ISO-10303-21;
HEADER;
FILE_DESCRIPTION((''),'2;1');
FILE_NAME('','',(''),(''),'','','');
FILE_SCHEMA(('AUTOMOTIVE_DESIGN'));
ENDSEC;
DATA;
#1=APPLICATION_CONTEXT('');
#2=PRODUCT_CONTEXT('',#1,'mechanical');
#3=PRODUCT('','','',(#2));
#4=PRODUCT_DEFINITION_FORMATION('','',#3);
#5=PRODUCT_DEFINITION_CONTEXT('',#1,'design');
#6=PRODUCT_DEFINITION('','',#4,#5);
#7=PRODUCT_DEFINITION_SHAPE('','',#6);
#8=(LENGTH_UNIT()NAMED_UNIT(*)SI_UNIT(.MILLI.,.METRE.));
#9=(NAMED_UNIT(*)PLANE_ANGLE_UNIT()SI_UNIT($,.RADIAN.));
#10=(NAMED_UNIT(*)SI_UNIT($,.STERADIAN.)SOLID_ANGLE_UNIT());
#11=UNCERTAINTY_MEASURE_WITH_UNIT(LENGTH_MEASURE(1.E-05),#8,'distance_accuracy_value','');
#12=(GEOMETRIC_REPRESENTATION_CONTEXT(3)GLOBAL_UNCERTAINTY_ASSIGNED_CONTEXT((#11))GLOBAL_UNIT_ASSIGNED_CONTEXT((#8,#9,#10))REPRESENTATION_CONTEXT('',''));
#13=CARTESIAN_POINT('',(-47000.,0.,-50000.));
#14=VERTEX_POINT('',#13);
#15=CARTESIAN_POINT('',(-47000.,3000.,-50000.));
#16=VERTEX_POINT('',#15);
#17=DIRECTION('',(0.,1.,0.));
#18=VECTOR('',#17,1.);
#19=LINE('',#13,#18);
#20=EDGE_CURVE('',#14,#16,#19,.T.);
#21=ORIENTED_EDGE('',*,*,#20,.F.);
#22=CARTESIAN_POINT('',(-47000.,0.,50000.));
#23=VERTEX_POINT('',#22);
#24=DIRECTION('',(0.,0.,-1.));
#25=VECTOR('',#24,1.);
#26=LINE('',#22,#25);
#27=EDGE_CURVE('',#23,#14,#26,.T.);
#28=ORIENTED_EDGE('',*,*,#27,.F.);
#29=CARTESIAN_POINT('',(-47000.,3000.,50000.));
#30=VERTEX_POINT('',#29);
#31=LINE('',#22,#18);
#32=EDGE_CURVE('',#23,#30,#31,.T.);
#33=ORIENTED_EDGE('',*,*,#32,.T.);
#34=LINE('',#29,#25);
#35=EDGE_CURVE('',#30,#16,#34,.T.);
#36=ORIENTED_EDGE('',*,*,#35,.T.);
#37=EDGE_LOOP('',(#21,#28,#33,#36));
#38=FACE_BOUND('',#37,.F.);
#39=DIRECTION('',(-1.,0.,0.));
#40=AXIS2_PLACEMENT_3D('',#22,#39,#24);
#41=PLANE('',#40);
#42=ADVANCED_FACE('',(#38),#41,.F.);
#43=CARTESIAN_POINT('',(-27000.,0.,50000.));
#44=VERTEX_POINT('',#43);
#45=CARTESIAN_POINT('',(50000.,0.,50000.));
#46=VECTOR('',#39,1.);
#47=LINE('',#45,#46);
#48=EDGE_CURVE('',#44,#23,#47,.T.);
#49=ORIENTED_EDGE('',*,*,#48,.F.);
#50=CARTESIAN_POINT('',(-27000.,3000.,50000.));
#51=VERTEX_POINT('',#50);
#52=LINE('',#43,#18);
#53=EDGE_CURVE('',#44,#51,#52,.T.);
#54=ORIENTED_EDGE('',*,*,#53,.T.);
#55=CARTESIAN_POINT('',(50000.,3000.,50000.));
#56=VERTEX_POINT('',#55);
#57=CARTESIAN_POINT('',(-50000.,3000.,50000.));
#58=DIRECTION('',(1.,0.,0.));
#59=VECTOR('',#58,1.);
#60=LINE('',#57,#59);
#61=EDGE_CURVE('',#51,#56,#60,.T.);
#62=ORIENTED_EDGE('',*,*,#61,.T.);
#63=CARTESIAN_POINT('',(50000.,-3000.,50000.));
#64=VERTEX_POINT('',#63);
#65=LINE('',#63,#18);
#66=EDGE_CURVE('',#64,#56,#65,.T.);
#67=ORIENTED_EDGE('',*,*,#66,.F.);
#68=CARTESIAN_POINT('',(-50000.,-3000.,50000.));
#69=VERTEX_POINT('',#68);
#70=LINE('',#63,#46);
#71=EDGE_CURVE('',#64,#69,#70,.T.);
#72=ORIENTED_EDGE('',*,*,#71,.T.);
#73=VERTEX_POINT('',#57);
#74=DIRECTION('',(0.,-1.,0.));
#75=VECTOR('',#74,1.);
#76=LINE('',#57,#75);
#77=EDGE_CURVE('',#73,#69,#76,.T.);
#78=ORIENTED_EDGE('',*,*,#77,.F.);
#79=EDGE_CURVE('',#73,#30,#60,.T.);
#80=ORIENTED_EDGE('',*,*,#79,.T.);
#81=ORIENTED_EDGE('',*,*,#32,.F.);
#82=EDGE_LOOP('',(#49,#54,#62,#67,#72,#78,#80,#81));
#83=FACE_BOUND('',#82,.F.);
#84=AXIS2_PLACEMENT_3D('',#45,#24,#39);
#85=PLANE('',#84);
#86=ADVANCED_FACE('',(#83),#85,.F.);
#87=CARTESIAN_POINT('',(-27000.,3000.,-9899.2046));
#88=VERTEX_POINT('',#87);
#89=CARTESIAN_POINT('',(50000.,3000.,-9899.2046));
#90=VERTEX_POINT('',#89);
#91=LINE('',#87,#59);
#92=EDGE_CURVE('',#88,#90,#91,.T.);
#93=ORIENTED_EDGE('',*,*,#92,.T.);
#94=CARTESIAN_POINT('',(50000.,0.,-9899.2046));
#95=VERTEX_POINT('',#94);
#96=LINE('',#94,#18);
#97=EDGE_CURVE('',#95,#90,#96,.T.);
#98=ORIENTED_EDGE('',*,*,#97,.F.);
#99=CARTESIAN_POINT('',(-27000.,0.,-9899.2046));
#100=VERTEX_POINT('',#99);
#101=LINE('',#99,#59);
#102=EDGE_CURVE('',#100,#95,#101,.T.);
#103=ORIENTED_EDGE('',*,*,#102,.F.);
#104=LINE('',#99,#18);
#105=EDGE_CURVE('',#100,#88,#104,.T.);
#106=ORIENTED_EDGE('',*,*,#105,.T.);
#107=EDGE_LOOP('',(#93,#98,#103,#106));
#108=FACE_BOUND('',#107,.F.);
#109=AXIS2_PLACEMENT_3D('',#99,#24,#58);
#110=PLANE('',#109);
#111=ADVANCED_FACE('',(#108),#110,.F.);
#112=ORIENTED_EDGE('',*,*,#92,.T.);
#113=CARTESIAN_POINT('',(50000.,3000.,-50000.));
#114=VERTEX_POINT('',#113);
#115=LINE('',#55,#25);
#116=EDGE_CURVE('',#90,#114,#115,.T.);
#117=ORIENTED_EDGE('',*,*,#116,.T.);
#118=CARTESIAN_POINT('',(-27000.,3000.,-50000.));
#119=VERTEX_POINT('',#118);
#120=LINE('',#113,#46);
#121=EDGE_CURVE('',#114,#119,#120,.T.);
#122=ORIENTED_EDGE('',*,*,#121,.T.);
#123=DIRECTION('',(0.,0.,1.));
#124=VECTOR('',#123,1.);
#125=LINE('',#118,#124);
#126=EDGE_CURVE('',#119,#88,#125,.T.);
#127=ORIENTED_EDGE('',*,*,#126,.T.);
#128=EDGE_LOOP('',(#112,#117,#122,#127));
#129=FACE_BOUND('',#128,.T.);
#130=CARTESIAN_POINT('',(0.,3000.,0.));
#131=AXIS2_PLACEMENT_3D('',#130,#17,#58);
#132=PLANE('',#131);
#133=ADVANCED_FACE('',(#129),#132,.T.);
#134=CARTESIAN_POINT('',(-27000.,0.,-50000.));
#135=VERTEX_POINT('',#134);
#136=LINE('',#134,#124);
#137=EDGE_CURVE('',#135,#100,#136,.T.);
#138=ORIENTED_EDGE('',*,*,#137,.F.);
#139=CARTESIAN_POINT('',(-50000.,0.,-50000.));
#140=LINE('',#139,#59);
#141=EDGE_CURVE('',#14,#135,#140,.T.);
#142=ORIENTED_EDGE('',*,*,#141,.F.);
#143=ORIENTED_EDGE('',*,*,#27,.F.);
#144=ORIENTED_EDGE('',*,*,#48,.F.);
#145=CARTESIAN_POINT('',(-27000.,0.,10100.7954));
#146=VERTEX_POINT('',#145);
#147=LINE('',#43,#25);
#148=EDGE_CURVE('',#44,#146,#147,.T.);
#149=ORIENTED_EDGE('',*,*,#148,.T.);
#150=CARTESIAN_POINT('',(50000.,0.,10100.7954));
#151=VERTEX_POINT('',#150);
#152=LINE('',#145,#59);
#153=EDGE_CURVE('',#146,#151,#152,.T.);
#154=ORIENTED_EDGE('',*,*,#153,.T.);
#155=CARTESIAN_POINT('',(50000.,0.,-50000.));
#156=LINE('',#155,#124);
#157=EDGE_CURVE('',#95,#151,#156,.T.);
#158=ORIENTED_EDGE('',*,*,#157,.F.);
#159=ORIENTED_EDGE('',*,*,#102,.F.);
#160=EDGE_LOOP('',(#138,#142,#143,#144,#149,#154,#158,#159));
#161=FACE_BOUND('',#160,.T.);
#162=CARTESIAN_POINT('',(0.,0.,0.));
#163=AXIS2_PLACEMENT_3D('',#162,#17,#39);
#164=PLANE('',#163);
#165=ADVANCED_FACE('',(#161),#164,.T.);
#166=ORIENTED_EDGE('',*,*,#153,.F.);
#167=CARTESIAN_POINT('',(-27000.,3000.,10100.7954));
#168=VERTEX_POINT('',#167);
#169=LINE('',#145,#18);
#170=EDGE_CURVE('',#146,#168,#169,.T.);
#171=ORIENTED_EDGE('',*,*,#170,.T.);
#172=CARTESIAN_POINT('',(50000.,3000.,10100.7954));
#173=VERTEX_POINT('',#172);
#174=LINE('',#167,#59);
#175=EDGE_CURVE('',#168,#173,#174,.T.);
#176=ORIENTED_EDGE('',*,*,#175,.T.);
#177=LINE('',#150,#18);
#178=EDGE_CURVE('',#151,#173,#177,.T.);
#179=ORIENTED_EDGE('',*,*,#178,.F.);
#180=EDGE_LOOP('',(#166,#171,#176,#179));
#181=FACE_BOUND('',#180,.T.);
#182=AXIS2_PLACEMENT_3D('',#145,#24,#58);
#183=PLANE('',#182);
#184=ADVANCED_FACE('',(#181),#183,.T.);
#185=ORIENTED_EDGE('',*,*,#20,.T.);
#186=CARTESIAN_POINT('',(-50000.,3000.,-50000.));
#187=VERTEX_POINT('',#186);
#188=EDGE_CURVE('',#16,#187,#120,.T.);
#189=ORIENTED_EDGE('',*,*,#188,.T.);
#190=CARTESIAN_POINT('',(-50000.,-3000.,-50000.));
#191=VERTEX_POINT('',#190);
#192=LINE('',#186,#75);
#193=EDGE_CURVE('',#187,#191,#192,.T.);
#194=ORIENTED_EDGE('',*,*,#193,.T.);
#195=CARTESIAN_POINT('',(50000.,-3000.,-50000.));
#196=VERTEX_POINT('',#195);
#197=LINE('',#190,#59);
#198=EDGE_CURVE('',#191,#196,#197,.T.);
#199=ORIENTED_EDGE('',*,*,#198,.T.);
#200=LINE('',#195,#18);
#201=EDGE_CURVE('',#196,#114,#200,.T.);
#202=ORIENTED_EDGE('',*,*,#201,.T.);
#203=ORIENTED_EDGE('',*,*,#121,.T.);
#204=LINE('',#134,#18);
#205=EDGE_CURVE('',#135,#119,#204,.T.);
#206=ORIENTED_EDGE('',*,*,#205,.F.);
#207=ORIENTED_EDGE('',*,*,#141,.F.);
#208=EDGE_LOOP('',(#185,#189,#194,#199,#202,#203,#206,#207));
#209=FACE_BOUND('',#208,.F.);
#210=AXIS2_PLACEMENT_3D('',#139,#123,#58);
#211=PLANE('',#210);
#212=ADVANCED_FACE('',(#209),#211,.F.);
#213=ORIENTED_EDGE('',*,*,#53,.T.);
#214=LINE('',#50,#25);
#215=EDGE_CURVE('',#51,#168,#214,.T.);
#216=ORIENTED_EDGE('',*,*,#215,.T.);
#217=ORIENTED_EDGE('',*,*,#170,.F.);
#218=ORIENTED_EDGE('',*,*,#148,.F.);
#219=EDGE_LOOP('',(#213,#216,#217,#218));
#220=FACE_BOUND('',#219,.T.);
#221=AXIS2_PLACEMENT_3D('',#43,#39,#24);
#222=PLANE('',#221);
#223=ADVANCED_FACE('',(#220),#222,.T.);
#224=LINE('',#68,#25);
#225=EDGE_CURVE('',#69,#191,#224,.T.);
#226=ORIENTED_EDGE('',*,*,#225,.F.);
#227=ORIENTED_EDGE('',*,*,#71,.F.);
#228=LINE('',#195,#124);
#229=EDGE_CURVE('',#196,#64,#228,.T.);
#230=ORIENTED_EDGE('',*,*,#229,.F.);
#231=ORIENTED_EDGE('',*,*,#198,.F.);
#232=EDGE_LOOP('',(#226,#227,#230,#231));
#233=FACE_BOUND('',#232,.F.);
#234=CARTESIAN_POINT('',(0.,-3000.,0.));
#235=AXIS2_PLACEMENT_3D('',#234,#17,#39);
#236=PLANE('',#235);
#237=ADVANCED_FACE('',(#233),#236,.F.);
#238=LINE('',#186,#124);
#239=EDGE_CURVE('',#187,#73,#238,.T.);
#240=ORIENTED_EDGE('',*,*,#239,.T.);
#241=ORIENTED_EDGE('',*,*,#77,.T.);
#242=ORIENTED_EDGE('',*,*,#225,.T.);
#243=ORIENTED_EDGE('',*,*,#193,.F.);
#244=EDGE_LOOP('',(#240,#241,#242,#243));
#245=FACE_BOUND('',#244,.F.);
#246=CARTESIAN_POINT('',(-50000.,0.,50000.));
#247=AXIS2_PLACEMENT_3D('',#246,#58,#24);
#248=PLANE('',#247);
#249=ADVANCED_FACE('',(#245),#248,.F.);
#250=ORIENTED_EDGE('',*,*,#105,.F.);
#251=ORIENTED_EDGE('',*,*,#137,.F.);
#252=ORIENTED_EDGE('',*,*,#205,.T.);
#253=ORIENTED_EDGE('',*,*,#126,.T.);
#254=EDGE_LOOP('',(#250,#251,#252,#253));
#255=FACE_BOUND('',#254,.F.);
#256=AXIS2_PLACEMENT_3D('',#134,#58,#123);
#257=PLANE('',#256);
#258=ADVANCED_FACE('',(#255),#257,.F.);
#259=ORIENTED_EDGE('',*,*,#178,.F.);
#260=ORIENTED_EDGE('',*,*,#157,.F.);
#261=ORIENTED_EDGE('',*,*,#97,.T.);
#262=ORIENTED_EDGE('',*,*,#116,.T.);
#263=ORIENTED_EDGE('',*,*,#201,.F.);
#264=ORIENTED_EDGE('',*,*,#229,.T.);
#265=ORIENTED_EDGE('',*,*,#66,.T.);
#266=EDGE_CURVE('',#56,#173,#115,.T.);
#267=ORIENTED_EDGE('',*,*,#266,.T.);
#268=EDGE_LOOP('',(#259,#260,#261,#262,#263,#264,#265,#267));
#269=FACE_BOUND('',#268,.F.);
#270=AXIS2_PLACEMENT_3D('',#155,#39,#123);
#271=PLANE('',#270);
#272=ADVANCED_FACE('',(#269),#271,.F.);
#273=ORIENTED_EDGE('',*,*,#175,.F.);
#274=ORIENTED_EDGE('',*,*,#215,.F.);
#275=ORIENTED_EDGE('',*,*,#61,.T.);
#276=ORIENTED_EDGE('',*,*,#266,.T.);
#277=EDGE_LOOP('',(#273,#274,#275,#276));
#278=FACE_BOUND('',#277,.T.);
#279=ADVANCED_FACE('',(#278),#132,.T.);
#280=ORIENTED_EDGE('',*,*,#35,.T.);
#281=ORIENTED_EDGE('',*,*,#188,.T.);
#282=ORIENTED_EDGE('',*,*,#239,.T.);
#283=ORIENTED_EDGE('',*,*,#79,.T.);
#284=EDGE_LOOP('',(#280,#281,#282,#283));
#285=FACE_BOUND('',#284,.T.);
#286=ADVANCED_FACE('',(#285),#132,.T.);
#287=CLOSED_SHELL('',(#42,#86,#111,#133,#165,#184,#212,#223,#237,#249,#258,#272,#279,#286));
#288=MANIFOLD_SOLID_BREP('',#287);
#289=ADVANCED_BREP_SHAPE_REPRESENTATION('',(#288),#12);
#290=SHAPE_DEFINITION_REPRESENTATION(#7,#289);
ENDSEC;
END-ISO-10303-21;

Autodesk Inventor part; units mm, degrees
ref_plane "YZ Plane" through (0, 0, 0) normal (1, 0, 0) x (0, 1, 0)
ref_plane "XZ Plane" through (0, 0, 0) normal (0, 1, 0) x (-1, 0, 0)
ref_plane "XY Plane" through (0, 0, 0) normal (0, 0, 1) x (1, 0, 0)
sketch "Sketch1" plane through (0, 0, 0) normal (0, 1, 0) x (-1, 0, 0)
  line L0 (-50000, 50000) -> (50000, 50000)
  line L1 (50000, 50000) -> (50000, -50000)
  line L2 (50000, -50000) -> (-50000, -50000)
  line L3 (-50000, -50000) -> (-50000, 50000)
  line L4 (-50000, 50000) -> (50000, -50000) construction
  line L5 (50000, 50000) -> (-50000, -50000) construction
  point P0 (0, 0)
  dimension "d0" = 100000
  dimension "d1" = 100000
extrude "Extrusion1" add sketch "Sketch1" against normal blind 3000
sketch "Sketch2" plane through (0, 0, 0) normal (0, 1, 0) x (1, 0, 0)
  line L0 (50000, 50000) -> (-50000, 50000) projected
  line L1 (-50000, 50000) -> (-50000, -50000) projected
  line L2 (-50000, -50000) -> (50000, -50000) projected
  line L3 (50000, -50000) -> (50000, 50000) projected
  line L4 (50000, 50000) -> (50000, -50000) projected
  line L5 (50000, -50000) -> (-27000, -50000)
  line L6 (-27000, -50000) -> (-27000, -10100.7954)
  line L7 (-27000, -10100.7954) -> (50000, -10100.7954)
  line L8 (50000, -10100.7954) -> (50000, -50000)
  line L9 (-50000, 50000) -> (50000, 50000) projected
  line L10 (50000, 50000) -> (-27000, 50000)
  line L11 (-27000, 50000) -> (-27000, 9899.2046)
  line L12 (-27000, 9899.2046) -> (50000, 9899.2046)
  line L13 (50000, 9899.2046) -> (50000, 50000)
  line L14 (-50000, -50000) -> (-47000, -50000)
  line L15 (-47000, -50000) -> (-47000, 50000)
  line L16 (-47000, 50000) -> (-50000, 50000)
  line L17 (-50000, 50000) -> (-50000, -50000)
  point P0 (0, 0)
  point P1 (50000, 9899.2046)
  point P2 (-27000, 50000)
  point P3 (-47000, -50000)
  point P4 (-47000, 50000)
  point P5 (50000, -10100.7954)
  point P6 (-27000, -50000)
  dimension "d4" = 77000
  dimension "d5" = 20000
  dimension "d6" = 20000
extrude "Extrusion2" add sketch "Sketch2" along normal blind 3000 contours L3 L12 L11 L0 | L15 L2 L1 L0 | L3 L2 L6 L7
properties part number "T_intersection_simple"
